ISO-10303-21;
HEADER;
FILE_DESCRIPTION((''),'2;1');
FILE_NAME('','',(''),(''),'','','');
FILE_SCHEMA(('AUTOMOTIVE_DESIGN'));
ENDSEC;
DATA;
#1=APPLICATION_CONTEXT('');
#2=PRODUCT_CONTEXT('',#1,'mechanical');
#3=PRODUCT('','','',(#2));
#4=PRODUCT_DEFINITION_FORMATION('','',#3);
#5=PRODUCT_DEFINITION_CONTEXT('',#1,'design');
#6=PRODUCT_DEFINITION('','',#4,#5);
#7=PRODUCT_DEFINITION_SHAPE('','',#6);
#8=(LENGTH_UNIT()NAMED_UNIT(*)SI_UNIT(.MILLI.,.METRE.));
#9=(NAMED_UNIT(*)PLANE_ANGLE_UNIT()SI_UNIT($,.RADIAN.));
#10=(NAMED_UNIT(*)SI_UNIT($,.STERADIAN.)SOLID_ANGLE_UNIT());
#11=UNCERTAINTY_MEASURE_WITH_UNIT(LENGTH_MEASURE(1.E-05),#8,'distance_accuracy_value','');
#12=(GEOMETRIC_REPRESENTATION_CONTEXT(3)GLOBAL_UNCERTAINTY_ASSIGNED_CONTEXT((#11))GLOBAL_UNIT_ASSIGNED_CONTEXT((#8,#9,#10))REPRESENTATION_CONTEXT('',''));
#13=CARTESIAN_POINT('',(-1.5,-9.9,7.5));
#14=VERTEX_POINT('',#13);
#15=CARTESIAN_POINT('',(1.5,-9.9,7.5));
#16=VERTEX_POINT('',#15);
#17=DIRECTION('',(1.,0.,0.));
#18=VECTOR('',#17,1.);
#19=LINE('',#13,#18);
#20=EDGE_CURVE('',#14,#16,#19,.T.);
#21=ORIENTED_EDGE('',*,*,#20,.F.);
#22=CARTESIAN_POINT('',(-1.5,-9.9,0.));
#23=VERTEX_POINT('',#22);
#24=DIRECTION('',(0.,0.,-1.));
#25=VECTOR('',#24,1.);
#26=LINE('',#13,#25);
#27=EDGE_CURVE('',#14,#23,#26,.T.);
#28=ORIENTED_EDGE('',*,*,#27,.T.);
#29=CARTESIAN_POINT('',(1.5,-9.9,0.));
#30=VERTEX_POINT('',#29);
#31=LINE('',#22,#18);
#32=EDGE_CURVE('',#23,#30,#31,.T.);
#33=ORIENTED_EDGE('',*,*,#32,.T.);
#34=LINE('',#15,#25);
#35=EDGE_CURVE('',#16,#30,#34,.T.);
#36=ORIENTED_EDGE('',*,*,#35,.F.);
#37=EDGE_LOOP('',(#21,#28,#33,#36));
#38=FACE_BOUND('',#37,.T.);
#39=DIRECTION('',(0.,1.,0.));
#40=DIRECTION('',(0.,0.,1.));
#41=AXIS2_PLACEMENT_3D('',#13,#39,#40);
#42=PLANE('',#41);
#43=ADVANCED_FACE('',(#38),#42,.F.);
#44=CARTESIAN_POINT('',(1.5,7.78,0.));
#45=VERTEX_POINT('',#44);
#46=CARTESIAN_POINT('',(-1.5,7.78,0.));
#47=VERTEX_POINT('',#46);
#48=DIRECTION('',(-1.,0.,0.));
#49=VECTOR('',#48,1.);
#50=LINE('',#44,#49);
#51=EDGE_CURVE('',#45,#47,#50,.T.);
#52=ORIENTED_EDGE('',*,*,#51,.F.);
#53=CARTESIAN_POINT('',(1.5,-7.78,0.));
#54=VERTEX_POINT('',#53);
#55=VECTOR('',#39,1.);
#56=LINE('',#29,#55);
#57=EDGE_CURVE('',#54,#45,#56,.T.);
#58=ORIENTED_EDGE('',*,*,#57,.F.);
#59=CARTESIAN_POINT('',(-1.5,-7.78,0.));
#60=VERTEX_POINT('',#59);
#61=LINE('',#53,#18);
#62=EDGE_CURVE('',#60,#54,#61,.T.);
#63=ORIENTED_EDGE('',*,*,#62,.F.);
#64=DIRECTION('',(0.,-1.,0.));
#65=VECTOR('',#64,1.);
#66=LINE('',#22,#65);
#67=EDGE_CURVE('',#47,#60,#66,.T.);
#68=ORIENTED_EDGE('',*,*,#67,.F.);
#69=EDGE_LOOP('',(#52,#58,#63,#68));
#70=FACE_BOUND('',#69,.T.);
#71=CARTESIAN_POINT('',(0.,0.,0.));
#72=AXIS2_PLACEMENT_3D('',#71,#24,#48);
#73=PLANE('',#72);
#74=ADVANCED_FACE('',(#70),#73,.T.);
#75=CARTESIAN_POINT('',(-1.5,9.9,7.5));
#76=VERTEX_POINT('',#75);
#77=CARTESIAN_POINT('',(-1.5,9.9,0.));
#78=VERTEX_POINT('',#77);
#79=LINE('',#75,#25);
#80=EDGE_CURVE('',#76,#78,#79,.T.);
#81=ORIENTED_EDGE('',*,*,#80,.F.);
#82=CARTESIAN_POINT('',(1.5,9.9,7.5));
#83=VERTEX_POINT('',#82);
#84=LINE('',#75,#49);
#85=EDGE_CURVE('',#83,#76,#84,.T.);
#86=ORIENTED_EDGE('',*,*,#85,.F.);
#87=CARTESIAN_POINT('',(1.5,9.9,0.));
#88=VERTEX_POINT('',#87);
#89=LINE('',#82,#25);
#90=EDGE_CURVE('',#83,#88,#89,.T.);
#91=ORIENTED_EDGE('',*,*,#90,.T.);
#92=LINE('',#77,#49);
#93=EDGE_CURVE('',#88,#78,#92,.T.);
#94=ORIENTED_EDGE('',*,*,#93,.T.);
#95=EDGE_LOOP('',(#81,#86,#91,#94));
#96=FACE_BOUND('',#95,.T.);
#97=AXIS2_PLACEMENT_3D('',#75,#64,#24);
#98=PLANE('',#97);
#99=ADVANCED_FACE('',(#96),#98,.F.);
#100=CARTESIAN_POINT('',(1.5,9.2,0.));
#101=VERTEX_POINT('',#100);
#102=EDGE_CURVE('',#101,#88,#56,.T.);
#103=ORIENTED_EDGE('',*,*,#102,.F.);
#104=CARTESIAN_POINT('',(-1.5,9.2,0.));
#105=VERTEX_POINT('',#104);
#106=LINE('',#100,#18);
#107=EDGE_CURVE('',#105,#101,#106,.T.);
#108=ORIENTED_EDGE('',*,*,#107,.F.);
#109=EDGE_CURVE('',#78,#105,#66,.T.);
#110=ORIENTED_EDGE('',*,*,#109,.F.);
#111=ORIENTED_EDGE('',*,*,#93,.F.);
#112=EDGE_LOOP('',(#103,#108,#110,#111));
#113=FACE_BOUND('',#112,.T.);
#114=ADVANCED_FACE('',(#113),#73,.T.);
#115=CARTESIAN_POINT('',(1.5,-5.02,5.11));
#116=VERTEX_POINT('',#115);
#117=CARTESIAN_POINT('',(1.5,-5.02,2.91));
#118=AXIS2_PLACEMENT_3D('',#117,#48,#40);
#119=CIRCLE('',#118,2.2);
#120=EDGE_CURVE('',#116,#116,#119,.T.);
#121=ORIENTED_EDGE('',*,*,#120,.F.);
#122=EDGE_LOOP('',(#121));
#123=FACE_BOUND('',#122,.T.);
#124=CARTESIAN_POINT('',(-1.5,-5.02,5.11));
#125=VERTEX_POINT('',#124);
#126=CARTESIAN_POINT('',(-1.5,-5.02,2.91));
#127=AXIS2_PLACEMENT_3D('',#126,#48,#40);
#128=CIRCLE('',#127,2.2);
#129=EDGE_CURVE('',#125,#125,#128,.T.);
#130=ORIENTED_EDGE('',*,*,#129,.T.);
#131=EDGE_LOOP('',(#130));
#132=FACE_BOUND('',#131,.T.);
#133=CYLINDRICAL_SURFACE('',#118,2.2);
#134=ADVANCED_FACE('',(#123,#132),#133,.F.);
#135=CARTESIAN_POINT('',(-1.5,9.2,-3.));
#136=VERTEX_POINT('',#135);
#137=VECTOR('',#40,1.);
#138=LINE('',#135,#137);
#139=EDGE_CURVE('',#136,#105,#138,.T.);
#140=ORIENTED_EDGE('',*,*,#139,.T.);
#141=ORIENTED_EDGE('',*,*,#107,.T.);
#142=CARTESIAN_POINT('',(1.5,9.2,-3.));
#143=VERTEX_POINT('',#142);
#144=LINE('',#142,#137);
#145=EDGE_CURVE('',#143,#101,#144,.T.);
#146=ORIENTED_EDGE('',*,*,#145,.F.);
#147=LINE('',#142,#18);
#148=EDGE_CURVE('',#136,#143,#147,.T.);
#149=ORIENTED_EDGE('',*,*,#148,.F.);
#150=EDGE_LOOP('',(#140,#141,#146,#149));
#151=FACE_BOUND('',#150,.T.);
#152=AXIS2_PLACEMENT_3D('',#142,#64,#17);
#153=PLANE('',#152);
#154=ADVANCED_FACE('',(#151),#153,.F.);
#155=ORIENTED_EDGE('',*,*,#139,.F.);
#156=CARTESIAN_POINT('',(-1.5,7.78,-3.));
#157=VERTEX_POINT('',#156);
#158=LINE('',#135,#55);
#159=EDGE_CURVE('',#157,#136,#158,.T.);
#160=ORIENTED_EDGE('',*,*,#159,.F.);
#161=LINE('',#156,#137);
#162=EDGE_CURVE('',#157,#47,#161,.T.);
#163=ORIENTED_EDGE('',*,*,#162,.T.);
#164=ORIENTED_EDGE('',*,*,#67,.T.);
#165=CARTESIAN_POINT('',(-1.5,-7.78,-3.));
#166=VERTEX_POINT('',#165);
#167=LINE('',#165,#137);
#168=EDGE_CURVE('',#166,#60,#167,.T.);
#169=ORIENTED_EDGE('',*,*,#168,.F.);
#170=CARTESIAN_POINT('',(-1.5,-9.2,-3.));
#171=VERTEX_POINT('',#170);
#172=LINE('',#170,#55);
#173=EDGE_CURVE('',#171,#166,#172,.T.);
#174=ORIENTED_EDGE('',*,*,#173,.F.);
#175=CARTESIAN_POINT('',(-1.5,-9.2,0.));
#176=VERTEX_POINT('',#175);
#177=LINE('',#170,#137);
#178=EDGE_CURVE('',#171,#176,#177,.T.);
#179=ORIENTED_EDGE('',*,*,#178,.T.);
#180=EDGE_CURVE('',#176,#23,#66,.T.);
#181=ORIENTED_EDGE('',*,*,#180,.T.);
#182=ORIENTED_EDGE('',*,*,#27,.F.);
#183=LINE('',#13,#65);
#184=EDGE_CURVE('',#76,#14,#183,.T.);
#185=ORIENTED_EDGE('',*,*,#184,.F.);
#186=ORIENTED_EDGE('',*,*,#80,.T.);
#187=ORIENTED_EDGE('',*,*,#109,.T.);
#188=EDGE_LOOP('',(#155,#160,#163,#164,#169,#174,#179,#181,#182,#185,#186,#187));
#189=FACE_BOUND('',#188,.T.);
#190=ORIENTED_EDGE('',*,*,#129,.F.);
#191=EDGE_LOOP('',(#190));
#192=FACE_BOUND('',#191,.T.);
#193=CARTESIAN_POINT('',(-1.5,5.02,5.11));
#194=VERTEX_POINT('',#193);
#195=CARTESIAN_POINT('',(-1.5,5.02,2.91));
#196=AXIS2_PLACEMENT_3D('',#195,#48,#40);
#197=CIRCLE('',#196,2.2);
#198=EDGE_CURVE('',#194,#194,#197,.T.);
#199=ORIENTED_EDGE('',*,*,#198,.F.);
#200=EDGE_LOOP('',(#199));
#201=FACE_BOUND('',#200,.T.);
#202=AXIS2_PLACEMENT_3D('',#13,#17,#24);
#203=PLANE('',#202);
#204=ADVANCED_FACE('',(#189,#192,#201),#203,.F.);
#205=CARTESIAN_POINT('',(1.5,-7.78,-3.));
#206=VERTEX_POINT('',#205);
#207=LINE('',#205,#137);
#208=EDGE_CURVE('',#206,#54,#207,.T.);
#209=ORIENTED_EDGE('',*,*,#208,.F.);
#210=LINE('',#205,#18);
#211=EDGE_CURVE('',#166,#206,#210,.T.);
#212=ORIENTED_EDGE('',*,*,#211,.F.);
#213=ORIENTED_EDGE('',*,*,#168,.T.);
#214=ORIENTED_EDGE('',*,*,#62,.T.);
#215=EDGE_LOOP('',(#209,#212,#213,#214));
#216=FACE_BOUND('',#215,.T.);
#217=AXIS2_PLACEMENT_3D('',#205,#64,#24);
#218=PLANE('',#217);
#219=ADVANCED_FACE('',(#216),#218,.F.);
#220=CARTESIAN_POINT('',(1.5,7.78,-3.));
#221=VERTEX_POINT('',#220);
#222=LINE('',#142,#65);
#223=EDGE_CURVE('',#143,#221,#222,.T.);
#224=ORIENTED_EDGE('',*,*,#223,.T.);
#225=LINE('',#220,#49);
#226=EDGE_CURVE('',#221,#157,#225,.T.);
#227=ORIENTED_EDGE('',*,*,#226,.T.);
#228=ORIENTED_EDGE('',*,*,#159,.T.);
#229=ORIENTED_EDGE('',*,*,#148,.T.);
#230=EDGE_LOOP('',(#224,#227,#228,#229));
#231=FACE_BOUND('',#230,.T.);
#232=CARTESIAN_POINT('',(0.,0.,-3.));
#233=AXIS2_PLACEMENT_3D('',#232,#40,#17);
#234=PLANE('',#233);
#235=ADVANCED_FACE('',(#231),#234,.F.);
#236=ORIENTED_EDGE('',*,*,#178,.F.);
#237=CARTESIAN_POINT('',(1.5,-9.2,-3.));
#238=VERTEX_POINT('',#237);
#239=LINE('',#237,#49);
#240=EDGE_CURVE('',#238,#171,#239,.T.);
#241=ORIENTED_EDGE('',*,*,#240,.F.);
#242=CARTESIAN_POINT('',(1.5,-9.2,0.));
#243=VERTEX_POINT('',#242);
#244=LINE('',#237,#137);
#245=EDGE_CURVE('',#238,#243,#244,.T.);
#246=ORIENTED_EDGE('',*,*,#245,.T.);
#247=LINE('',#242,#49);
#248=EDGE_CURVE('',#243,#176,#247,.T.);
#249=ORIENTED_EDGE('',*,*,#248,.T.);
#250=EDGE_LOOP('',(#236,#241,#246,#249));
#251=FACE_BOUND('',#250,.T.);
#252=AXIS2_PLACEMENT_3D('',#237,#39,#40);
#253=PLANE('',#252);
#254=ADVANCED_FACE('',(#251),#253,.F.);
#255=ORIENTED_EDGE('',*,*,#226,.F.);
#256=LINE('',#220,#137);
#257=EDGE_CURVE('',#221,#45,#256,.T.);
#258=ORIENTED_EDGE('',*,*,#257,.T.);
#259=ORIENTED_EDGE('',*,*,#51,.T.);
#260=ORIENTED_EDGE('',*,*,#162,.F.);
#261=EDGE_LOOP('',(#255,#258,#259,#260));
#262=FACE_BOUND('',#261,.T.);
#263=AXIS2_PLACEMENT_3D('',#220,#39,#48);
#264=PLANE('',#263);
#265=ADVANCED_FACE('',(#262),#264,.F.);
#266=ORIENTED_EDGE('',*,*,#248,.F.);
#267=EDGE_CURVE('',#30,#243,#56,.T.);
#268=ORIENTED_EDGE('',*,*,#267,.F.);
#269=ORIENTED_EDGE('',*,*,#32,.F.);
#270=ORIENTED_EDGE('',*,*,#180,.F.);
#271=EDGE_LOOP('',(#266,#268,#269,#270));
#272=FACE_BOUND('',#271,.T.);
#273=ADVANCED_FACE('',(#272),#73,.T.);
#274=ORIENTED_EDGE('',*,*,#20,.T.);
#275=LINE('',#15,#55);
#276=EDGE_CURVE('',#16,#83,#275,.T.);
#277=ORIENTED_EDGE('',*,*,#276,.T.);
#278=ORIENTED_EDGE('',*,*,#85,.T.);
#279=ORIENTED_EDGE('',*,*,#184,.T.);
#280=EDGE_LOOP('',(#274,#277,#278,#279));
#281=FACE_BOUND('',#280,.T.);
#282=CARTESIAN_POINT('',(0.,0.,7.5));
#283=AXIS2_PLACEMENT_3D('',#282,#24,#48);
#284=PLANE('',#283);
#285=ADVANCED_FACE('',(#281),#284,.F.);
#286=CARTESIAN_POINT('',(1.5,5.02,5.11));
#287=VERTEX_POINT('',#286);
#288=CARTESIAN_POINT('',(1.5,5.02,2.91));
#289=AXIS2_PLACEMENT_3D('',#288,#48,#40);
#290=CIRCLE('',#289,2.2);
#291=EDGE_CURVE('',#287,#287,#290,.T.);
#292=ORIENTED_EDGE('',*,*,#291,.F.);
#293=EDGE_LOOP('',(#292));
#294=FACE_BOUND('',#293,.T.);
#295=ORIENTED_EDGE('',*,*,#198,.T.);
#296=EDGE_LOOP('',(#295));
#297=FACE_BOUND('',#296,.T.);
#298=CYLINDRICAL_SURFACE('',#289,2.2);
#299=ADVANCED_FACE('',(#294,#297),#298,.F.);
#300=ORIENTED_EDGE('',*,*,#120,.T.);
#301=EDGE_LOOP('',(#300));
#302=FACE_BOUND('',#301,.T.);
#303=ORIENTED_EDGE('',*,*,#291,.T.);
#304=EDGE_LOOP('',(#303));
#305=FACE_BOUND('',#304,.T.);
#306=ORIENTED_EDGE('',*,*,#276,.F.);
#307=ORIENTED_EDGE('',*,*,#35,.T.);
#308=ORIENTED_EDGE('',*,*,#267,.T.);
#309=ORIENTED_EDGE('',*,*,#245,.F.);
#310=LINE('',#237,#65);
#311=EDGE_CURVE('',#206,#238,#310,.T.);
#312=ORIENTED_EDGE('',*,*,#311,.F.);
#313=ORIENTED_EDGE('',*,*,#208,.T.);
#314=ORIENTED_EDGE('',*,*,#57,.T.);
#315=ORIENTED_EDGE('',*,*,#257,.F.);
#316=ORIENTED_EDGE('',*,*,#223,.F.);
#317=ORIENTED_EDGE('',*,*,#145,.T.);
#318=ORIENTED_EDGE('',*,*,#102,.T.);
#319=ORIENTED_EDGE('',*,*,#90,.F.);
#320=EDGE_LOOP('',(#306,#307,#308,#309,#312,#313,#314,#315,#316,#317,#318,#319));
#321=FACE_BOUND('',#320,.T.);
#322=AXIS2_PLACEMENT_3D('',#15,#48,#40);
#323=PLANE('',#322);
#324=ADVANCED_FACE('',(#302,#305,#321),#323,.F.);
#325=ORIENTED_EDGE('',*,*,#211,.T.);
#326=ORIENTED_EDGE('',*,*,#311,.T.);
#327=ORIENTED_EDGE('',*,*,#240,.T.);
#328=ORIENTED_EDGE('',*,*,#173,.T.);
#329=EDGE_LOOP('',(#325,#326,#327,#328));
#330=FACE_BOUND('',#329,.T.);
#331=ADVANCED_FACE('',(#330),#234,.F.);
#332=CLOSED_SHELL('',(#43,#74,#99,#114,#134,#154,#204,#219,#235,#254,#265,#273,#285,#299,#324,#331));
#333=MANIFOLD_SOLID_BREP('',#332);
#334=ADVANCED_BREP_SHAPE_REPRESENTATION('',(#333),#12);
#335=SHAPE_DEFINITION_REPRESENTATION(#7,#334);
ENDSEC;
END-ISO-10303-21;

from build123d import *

# Parameters (mm, degrees)
CROQUIS1_W              = 3
CROQUIS1_H              = 19.8
SALIENTE_EXTRUIR1_DEPTH = 7.5
CROQUIS2_W              = 3
CROQUIS2_H              = 1.42
SALIENTE_EXTRUIR2_DEPTH = 3
CROQUIS3_R              = 2.2
CORTAR_EXTRUIR1_DEPTH   = 3


with BuildPart() as part:
    # Croquis1 → Saliente-Extruir1 (new body)
    with BuildSketch(Plane.XY):
        Rectangle(CROQUIS1_W, CROQUIS1_H)
    extrude(amount=SALIENTE_EXTRUIR1_DEPTH)

    # Croquis2 → Saliente-Extruir2 (add)
    with BuildSketch(Plane(origin=(0, 0, 0), x_dir=(-1, 0, 0), z_dir=(0, 0, -1))):
        with Locations((0, 8.49)):
            Rectangle(CROQUIS2_W, CROQUIS2_H)
        with Locations((0, -8.49)):
            Rectangle(CROQUIS2_W, CROQUIS2_H)
    extrude(amount=SALIENTE_EXTRUIR2_DEPTH)

    # Croquis3 → Cortar-Extruir1 (cut)
    with BuildSketch(Plane.ZY.offset(1.5)):
        with Locations((2.91, -5.02)):
            Circle(CROQUIS3_R)
        with Locations((2.91, 5.02)):
            Circle(CROQUIS3_R)
    extrude(amount=-CORTAR_EXTRUIR1_DEPTH, mode=Mode.SUBTRACT)


solid = part.part
